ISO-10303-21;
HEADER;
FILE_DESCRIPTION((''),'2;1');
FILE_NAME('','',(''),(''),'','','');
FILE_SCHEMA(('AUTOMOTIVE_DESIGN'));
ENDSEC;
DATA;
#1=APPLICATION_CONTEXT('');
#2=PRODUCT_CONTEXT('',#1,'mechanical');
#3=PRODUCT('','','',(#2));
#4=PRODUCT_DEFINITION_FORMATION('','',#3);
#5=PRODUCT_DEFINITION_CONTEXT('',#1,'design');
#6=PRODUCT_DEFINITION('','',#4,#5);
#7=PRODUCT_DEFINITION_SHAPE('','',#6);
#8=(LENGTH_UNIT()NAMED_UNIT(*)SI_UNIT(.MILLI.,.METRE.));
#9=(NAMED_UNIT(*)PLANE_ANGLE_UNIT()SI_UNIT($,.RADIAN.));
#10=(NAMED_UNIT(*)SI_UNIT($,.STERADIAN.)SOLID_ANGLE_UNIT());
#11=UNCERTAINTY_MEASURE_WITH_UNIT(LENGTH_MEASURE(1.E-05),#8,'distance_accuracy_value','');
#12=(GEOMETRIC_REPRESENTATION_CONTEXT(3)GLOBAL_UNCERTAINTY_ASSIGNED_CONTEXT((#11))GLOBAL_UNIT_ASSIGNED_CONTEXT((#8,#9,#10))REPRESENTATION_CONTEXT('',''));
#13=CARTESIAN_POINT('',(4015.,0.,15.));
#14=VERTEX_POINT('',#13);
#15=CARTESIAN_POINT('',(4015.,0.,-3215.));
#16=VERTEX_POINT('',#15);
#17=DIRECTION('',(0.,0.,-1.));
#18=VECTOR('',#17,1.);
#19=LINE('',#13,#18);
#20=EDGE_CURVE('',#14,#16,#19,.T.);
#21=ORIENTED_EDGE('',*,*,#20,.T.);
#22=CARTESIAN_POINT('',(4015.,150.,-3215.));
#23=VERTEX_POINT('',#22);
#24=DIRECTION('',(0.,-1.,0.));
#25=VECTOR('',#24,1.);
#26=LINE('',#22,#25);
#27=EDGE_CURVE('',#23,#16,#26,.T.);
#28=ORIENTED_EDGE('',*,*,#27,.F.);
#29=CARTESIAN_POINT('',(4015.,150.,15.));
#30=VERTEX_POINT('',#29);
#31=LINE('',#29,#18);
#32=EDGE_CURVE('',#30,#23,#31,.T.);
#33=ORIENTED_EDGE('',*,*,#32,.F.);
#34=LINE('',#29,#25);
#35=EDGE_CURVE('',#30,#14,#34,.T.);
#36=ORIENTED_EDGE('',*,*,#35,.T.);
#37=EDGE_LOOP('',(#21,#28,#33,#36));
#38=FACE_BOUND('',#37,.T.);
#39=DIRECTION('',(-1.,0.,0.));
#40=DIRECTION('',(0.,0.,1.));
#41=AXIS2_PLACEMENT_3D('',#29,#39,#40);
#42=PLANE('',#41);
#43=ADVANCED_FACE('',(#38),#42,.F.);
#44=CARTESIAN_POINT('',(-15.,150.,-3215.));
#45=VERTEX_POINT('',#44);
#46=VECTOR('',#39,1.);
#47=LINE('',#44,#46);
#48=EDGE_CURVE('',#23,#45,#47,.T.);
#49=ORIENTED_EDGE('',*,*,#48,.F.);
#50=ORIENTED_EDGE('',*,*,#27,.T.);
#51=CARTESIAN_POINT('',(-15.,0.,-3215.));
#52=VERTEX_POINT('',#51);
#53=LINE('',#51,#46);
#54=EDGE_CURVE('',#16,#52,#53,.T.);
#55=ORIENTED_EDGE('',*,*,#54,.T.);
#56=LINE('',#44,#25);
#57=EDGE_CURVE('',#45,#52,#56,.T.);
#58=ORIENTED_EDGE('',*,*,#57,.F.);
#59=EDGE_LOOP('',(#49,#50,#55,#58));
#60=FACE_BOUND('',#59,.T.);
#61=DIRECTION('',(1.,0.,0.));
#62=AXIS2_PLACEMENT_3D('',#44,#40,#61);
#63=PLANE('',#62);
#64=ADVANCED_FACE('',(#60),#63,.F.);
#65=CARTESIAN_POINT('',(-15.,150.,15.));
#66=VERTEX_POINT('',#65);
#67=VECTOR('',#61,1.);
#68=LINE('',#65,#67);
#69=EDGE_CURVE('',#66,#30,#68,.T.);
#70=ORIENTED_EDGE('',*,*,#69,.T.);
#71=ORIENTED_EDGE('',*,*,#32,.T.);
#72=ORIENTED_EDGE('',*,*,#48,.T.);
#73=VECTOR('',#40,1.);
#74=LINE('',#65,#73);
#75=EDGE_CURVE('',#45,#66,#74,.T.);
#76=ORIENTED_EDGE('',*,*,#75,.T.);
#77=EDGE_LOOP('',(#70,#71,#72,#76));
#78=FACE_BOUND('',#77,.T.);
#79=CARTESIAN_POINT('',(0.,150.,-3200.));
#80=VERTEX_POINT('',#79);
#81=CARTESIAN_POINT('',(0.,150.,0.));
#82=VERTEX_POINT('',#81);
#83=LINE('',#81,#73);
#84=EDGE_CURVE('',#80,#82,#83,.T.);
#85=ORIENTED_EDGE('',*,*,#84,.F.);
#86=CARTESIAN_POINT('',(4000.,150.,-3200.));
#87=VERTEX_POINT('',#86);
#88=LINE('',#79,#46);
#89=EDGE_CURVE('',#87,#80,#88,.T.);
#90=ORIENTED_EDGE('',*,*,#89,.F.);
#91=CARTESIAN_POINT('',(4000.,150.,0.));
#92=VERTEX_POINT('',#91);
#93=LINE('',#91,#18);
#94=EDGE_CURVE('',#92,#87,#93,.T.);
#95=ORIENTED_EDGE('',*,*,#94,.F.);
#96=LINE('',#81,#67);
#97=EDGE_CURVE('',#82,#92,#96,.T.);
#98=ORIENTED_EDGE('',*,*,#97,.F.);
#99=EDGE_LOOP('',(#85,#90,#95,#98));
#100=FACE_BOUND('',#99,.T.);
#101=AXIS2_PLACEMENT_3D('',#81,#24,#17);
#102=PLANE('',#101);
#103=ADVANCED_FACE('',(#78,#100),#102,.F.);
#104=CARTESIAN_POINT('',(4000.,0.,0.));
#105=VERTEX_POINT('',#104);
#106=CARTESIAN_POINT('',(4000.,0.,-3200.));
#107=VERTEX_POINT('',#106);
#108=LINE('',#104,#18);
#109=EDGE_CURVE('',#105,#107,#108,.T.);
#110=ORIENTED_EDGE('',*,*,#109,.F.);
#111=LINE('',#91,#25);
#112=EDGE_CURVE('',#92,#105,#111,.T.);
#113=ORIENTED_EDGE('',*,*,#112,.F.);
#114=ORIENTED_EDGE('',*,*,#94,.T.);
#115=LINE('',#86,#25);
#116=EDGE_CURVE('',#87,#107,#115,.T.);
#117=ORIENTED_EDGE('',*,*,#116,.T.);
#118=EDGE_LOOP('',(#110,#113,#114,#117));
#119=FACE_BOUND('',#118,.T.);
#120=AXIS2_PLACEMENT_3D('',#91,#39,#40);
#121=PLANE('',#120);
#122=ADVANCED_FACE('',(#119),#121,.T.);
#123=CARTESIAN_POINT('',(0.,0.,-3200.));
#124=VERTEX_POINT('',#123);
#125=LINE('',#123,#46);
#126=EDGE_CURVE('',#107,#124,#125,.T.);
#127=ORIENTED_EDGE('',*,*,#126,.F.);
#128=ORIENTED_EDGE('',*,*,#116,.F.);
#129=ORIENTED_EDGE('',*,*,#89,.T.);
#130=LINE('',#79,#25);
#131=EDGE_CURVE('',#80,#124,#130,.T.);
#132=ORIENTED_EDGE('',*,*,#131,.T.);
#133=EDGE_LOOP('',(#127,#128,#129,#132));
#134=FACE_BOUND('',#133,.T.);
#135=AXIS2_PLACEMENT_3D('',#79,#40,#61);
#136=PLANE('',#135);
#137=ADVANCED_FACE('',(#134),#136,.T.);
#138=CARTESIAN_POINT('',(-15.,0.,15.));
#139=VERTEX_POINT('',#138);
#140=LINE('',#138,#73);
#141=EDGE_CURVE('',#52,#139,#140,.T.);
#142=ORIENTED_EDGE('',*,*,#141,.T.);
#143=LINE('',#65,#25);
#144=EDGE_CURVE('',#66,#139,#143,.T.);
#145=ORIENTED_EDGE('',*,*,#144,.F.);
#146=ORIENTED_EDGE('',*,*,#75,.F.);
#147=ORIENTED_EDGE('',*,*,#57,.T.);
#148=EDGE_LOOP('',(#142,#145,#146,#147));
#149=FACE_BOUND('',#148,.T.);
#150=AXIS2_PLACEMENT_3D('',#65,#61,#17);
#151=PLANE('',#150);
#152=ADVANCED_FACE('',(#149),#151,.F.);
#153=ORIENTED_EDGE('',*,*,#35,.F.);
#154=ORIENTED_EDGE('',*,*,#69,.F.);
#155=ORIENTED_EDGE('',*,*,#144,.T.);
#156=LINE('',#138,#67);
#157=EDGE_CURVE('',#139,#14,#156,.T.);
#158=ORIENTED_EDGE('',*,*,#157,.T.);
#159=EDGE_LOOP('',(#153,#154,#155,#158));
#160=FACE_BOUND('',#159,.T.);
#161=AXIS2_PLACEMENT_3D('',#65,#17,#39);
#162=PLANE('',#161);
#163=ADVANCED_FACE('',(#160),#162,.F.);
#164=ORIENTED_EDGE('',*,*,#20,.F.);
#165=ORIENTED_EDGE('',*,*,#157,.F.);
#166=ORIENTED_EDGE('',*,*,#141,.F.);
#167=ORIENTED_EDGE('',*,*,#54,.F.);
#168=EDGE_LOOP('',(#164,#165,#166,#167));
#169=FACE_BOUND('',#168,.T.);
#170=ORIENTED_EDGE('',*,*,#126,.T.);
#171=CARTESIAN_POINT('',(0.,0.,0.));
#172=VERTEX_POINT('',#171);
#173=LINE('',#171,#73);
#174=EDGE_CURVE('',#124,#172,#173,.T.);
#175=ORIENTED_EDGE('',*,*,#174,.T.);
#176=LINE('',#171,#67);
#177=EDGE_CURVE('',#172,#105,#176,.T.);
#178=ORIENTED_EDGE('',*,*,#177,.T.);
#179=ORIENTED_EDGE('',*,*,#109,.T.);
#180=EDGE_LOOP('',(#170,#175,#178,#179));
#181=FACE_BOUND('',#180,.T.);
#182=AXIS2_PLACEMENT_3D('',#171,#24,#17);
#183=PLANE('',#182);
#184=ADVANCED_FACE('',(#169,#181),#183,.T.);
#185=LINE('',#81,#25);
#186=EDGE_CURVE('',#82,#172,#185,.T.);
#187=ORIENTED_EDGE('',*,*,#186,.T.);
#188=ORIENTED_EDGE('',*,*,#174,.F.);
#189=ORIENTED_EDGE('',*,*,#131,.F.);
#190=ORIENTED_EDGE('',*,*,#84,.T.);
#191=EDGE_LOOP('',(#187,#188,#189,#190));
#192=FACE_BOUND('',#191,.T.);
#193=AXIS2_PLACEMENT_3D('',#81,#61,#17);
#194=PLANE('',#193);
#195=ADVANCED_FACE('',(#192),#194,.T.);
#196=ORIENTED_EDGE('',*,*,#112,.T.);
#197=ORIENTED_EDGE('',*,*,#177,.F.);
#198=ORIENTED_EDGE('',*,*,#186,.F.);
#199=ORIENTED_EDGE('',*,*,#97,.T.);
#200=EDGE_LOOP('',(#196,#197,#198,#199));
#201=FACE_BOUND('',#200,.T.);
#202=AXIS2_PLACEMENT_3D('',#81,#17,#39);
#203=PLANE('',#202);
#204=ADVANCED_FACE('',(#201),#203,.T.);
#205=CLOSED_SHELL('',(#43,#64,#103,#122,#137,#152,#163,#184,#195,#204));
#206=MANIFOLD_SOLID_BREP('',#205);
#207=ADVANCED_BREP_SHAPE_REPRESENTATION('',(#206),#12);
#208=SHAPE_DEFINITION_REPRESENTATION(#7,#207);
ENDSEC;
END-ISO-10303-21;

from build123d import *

# Parameters (mm, degrees)
SKETCH_1_W      = 4030
SKETCH_1_H      = 3230
SKETCH_1_W_2    = 4000
SKETCH_1_H_2    = 3200
EXTRUDE_1_DEPTH = 150


with BuildPart() as part:
    # 草图1 → 凸台-拉伸1 (new body)
    with BuildSketch(Plane(origin=(0, 0, 0), x_dir=(1, 0, 0), z_dir=(0, 1, 0))):
        with Locations((2000, 1600)):
            Rectangle(SKETCH_1_W, SKETCH_1_H)
        with Locations((2000, 1600)):
            Rectangle(SKETCH_1_W_2, SKETCH_1_H_2, mode=Mode.SUBTRACT)
    extrude(amount=EXTRUDE_1_DEPTH)


solid = part.part
